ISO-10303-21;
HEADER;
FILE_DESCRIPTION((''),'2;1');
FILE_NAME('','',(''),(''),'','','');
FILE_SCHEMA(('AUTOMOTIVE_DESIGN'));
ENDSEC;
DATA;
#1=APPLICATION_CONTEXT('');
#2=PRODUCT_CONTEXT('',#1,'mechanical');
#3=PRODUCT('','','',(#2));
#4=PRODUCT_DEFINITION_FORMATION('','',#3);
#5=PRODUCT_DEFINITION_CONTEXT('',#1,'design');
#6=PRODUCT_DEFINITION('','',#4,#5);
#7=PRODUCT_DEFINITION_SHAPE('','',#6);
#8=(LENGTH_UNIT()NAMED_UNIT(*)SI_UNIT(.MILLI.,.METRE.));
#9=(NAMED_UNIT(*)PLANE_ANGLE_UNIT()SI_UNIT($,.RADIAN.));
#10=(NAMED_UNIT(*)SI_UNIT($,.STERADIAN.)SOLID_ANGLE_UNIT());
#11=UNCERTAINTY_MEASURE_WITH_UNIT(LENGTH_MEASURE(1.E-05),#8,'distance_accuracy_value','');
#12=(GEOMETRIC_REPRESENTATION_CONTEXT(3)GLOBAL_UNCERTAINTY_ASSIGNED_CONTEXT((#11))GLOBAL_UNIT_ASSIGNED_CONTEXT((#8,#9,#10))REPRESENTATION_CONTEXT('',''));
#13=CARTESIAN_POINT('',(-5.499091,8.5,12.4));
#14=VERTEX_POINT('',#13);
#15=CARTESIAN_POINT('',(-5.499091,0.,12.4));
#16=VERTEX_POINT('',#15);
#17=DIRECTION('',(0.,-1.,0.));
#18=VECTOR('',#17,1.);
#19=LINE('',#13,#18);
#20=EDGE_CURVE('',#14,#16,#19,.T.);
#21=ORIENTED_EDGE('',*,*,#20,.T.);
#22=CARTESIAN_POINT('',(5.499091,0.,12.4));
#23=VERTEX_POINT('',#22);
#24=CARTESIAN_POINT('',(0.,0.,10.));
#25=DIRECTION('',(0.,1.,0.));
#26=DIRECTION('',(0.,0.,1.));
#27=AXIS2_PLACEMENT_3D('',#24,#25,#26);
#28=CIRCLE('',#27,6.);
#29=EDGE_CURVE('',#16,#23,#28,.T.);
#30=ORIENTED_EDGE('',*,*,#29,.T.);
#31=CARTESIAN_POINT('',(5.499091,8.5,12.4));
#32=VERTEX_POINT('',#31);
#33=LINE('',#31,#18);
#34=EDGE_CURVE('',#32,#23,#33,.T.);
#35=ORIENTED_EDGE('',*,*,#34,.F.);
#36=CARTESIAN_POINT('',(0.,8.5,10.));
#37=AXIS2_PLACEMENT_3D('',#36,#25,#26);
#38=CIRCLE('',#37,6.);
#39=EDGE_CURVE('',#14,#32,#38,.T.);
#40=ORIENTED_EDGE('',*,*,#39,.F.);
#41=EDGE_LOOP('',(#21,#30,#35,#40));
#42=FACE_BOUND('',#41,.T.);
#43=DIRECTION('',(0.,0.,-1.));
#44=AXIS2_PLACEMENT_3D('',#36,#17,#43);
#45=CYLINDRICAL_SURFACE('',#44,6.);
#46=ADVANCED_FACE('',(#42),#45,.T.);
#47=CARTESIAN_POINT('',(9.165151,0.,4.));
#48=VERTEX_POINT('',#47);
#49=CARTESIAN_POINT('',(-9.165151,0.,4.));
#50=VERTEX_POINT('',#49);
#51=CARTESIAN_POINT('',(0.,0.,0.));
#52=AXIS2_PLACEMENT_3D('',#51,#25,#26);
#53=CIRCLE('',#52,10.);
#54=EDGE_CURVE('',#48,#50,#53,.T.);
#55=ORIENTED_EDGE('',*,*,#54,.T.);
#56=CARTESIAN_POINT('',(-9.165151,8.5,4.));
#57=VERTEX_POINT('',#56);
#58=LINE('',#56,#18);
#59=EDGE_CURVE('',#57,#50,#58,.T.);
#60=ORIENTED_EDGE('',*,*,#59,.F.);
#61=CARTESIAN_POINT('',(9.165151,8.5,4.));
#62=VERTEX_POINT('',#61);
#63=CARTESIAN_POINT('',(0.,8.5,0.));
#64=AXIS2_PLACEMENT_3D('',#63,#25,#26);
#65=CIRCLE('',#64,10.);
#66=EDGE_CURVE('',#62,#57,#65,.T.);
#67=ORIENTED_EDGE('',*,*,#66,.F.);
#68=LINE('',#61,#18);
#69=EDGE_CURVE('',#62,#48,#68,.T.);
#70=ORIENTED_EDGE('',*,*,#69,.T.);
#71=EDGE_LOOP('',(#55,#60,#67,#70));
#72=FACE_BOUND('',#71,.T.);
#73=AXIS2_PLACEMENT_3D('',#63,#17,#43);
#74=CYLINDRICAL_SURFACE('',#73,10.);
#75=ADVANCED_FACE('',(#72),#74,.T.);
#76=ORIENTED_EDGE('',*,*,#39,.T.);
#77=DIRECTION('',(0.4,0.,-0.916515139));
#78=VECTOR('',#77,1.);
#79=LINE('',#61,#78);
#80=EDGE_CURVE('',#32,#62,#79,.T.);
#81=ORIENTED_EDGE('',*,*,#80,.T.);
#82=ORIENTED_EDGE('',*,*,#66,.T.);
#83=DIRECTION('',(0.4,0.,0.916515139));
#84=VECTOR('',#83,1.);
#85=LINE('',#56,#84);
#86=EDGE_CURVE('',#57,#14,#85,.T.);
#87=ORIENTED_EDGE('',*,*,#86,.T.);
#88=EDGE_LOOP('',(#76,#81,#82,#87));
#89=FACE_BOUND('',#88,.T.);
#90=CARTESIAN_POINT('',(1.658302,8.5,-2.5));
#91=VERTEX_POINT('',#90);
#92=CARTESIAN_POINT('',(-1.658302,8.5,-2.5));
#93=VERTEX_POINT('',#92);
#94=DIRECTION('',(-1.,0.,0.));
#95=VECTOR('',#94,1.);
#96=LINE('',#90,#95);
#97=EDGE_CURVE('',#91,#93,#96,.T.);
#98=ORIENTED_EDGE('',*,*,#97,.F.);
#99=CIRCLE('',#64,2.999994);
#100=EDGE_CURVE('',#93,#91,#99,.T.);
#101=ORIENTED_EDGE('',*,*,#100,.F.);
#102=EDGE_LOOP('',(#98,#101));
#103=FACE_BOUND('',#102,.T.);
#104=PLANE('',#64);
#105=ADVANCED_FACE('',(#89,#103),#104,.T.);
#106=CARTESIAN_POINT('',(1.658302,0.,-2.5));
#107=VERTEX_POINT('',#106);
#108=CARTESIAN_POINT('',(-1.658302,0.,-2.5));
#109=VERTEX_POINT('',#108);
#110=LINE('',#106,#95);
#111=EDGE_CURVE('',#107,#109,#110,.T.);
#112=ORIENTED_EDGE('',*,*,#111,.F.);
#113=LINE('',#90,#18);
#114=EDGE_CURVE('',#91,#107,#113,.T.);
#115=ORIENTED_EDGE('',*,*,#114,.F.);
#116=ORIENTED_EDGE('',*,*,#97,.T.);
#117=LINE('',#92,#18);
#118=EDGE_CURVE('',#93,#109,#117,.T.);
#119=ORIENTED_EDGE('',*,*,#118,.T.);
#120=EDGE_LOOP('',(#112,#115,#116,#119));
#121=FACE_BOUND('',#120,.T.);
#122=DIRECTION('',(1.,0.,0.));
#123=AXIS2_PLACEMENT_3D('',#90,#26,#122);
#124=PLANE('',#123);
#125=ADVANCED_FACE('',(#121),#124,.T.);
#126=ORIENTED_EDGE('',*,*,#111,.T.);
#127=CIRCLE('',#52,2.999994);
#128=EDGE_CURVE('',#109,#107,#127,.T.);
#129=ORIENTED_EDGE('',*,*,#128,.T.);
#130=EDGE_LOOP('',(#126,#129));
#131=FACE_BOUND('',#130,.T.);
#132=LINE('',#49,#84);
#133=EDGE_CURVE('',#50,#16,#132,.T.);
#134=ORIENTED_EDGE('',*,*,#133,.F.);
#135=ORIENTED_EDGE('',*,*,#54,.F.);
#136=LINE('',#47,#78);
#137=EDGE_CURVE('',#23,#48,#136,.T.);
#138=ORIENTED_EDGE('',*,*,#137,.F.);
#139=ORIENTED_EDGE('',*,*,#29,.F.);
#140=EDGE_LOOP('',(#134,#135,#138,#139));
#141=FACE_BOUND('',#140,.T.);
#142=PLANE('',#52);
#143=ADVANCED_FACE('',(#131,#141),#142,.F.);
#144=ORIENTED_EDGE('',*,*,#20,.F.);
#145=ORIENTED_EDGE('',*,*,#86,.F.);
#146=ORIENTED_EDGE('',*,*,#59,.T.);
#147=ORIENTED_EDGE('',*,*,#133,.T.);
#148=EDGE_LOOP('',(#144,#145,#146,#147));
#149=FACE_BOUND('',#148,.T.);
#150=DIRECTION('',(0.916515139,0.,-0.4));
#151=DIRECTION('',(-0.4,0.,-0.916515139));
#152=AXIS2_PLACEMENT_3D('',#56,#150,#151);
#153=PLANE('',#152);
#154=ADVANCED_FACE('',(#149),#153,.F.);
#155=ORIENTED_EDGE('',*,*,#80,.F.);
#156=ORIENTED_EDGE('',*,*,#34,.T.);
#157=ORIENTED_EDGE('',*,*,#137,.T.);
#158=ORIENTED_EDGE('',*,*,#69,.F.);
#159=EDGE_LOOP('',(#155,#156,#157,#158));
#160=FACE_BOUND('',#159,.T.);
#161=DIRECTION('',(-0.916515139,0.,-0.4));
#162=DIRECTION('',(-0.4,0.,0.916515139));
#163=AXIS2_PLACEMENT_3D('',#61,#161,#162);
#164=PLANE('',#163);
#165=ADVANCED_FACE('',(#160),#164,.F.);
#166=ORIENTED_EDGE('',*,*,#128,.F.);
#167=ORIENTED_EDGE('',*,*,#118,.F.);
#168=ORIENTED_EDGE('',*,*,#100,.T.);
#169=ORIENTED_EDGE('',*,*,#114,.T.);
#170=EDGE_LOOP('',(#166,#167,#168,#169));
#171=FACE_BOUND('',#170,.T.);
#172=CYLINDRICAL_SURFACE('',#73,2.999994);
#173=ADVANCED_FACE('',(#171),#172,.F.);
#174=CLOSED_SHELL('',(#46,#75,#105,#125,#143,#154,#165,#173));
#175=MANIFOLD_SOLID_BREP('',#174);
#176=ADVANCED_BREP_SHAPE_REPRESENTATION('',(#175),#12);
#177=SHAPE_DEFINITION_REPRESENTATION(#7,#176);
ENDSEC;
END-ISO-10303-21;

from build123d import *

# Parameters (mm, degrees)
BOSS_EXTRUDE1_DEPTH = 8.5


with BuildPart() as part:
    # Sketch1 → Boss-Extrude1 (new body)
    with BuildSketch(Plane(origin=(0, 0, 0), x_dir=(1, 0, 0), z_dir=(0, 1, 0))):
        with BuildLine():
            Line((-9.16515139, -4), (-5.499090834, -12.4))
            ThreePointArc((-5.499090834, -12.4), (0, -16), (5.499090834, -12.4))
            Line((5.499090834, -12.4), (9.16515139, -4))
            ThreePointArc((9.16515139, -4), (0, 10), (-9.16515139, -4))
        make_face()
        with BuildLine():
            Line((1.658301541, 2.5), (-1.658301541, 2.5))
            ThreePointArc((-1.658301541, 2.5), (0, -2.999994), (1.658301541, 2.5))
        make_face(mode=Mode.SUBTRACT)
    extrude(amount=BOSS_EXTRUDE1_DEPTH)


solid = part.part
